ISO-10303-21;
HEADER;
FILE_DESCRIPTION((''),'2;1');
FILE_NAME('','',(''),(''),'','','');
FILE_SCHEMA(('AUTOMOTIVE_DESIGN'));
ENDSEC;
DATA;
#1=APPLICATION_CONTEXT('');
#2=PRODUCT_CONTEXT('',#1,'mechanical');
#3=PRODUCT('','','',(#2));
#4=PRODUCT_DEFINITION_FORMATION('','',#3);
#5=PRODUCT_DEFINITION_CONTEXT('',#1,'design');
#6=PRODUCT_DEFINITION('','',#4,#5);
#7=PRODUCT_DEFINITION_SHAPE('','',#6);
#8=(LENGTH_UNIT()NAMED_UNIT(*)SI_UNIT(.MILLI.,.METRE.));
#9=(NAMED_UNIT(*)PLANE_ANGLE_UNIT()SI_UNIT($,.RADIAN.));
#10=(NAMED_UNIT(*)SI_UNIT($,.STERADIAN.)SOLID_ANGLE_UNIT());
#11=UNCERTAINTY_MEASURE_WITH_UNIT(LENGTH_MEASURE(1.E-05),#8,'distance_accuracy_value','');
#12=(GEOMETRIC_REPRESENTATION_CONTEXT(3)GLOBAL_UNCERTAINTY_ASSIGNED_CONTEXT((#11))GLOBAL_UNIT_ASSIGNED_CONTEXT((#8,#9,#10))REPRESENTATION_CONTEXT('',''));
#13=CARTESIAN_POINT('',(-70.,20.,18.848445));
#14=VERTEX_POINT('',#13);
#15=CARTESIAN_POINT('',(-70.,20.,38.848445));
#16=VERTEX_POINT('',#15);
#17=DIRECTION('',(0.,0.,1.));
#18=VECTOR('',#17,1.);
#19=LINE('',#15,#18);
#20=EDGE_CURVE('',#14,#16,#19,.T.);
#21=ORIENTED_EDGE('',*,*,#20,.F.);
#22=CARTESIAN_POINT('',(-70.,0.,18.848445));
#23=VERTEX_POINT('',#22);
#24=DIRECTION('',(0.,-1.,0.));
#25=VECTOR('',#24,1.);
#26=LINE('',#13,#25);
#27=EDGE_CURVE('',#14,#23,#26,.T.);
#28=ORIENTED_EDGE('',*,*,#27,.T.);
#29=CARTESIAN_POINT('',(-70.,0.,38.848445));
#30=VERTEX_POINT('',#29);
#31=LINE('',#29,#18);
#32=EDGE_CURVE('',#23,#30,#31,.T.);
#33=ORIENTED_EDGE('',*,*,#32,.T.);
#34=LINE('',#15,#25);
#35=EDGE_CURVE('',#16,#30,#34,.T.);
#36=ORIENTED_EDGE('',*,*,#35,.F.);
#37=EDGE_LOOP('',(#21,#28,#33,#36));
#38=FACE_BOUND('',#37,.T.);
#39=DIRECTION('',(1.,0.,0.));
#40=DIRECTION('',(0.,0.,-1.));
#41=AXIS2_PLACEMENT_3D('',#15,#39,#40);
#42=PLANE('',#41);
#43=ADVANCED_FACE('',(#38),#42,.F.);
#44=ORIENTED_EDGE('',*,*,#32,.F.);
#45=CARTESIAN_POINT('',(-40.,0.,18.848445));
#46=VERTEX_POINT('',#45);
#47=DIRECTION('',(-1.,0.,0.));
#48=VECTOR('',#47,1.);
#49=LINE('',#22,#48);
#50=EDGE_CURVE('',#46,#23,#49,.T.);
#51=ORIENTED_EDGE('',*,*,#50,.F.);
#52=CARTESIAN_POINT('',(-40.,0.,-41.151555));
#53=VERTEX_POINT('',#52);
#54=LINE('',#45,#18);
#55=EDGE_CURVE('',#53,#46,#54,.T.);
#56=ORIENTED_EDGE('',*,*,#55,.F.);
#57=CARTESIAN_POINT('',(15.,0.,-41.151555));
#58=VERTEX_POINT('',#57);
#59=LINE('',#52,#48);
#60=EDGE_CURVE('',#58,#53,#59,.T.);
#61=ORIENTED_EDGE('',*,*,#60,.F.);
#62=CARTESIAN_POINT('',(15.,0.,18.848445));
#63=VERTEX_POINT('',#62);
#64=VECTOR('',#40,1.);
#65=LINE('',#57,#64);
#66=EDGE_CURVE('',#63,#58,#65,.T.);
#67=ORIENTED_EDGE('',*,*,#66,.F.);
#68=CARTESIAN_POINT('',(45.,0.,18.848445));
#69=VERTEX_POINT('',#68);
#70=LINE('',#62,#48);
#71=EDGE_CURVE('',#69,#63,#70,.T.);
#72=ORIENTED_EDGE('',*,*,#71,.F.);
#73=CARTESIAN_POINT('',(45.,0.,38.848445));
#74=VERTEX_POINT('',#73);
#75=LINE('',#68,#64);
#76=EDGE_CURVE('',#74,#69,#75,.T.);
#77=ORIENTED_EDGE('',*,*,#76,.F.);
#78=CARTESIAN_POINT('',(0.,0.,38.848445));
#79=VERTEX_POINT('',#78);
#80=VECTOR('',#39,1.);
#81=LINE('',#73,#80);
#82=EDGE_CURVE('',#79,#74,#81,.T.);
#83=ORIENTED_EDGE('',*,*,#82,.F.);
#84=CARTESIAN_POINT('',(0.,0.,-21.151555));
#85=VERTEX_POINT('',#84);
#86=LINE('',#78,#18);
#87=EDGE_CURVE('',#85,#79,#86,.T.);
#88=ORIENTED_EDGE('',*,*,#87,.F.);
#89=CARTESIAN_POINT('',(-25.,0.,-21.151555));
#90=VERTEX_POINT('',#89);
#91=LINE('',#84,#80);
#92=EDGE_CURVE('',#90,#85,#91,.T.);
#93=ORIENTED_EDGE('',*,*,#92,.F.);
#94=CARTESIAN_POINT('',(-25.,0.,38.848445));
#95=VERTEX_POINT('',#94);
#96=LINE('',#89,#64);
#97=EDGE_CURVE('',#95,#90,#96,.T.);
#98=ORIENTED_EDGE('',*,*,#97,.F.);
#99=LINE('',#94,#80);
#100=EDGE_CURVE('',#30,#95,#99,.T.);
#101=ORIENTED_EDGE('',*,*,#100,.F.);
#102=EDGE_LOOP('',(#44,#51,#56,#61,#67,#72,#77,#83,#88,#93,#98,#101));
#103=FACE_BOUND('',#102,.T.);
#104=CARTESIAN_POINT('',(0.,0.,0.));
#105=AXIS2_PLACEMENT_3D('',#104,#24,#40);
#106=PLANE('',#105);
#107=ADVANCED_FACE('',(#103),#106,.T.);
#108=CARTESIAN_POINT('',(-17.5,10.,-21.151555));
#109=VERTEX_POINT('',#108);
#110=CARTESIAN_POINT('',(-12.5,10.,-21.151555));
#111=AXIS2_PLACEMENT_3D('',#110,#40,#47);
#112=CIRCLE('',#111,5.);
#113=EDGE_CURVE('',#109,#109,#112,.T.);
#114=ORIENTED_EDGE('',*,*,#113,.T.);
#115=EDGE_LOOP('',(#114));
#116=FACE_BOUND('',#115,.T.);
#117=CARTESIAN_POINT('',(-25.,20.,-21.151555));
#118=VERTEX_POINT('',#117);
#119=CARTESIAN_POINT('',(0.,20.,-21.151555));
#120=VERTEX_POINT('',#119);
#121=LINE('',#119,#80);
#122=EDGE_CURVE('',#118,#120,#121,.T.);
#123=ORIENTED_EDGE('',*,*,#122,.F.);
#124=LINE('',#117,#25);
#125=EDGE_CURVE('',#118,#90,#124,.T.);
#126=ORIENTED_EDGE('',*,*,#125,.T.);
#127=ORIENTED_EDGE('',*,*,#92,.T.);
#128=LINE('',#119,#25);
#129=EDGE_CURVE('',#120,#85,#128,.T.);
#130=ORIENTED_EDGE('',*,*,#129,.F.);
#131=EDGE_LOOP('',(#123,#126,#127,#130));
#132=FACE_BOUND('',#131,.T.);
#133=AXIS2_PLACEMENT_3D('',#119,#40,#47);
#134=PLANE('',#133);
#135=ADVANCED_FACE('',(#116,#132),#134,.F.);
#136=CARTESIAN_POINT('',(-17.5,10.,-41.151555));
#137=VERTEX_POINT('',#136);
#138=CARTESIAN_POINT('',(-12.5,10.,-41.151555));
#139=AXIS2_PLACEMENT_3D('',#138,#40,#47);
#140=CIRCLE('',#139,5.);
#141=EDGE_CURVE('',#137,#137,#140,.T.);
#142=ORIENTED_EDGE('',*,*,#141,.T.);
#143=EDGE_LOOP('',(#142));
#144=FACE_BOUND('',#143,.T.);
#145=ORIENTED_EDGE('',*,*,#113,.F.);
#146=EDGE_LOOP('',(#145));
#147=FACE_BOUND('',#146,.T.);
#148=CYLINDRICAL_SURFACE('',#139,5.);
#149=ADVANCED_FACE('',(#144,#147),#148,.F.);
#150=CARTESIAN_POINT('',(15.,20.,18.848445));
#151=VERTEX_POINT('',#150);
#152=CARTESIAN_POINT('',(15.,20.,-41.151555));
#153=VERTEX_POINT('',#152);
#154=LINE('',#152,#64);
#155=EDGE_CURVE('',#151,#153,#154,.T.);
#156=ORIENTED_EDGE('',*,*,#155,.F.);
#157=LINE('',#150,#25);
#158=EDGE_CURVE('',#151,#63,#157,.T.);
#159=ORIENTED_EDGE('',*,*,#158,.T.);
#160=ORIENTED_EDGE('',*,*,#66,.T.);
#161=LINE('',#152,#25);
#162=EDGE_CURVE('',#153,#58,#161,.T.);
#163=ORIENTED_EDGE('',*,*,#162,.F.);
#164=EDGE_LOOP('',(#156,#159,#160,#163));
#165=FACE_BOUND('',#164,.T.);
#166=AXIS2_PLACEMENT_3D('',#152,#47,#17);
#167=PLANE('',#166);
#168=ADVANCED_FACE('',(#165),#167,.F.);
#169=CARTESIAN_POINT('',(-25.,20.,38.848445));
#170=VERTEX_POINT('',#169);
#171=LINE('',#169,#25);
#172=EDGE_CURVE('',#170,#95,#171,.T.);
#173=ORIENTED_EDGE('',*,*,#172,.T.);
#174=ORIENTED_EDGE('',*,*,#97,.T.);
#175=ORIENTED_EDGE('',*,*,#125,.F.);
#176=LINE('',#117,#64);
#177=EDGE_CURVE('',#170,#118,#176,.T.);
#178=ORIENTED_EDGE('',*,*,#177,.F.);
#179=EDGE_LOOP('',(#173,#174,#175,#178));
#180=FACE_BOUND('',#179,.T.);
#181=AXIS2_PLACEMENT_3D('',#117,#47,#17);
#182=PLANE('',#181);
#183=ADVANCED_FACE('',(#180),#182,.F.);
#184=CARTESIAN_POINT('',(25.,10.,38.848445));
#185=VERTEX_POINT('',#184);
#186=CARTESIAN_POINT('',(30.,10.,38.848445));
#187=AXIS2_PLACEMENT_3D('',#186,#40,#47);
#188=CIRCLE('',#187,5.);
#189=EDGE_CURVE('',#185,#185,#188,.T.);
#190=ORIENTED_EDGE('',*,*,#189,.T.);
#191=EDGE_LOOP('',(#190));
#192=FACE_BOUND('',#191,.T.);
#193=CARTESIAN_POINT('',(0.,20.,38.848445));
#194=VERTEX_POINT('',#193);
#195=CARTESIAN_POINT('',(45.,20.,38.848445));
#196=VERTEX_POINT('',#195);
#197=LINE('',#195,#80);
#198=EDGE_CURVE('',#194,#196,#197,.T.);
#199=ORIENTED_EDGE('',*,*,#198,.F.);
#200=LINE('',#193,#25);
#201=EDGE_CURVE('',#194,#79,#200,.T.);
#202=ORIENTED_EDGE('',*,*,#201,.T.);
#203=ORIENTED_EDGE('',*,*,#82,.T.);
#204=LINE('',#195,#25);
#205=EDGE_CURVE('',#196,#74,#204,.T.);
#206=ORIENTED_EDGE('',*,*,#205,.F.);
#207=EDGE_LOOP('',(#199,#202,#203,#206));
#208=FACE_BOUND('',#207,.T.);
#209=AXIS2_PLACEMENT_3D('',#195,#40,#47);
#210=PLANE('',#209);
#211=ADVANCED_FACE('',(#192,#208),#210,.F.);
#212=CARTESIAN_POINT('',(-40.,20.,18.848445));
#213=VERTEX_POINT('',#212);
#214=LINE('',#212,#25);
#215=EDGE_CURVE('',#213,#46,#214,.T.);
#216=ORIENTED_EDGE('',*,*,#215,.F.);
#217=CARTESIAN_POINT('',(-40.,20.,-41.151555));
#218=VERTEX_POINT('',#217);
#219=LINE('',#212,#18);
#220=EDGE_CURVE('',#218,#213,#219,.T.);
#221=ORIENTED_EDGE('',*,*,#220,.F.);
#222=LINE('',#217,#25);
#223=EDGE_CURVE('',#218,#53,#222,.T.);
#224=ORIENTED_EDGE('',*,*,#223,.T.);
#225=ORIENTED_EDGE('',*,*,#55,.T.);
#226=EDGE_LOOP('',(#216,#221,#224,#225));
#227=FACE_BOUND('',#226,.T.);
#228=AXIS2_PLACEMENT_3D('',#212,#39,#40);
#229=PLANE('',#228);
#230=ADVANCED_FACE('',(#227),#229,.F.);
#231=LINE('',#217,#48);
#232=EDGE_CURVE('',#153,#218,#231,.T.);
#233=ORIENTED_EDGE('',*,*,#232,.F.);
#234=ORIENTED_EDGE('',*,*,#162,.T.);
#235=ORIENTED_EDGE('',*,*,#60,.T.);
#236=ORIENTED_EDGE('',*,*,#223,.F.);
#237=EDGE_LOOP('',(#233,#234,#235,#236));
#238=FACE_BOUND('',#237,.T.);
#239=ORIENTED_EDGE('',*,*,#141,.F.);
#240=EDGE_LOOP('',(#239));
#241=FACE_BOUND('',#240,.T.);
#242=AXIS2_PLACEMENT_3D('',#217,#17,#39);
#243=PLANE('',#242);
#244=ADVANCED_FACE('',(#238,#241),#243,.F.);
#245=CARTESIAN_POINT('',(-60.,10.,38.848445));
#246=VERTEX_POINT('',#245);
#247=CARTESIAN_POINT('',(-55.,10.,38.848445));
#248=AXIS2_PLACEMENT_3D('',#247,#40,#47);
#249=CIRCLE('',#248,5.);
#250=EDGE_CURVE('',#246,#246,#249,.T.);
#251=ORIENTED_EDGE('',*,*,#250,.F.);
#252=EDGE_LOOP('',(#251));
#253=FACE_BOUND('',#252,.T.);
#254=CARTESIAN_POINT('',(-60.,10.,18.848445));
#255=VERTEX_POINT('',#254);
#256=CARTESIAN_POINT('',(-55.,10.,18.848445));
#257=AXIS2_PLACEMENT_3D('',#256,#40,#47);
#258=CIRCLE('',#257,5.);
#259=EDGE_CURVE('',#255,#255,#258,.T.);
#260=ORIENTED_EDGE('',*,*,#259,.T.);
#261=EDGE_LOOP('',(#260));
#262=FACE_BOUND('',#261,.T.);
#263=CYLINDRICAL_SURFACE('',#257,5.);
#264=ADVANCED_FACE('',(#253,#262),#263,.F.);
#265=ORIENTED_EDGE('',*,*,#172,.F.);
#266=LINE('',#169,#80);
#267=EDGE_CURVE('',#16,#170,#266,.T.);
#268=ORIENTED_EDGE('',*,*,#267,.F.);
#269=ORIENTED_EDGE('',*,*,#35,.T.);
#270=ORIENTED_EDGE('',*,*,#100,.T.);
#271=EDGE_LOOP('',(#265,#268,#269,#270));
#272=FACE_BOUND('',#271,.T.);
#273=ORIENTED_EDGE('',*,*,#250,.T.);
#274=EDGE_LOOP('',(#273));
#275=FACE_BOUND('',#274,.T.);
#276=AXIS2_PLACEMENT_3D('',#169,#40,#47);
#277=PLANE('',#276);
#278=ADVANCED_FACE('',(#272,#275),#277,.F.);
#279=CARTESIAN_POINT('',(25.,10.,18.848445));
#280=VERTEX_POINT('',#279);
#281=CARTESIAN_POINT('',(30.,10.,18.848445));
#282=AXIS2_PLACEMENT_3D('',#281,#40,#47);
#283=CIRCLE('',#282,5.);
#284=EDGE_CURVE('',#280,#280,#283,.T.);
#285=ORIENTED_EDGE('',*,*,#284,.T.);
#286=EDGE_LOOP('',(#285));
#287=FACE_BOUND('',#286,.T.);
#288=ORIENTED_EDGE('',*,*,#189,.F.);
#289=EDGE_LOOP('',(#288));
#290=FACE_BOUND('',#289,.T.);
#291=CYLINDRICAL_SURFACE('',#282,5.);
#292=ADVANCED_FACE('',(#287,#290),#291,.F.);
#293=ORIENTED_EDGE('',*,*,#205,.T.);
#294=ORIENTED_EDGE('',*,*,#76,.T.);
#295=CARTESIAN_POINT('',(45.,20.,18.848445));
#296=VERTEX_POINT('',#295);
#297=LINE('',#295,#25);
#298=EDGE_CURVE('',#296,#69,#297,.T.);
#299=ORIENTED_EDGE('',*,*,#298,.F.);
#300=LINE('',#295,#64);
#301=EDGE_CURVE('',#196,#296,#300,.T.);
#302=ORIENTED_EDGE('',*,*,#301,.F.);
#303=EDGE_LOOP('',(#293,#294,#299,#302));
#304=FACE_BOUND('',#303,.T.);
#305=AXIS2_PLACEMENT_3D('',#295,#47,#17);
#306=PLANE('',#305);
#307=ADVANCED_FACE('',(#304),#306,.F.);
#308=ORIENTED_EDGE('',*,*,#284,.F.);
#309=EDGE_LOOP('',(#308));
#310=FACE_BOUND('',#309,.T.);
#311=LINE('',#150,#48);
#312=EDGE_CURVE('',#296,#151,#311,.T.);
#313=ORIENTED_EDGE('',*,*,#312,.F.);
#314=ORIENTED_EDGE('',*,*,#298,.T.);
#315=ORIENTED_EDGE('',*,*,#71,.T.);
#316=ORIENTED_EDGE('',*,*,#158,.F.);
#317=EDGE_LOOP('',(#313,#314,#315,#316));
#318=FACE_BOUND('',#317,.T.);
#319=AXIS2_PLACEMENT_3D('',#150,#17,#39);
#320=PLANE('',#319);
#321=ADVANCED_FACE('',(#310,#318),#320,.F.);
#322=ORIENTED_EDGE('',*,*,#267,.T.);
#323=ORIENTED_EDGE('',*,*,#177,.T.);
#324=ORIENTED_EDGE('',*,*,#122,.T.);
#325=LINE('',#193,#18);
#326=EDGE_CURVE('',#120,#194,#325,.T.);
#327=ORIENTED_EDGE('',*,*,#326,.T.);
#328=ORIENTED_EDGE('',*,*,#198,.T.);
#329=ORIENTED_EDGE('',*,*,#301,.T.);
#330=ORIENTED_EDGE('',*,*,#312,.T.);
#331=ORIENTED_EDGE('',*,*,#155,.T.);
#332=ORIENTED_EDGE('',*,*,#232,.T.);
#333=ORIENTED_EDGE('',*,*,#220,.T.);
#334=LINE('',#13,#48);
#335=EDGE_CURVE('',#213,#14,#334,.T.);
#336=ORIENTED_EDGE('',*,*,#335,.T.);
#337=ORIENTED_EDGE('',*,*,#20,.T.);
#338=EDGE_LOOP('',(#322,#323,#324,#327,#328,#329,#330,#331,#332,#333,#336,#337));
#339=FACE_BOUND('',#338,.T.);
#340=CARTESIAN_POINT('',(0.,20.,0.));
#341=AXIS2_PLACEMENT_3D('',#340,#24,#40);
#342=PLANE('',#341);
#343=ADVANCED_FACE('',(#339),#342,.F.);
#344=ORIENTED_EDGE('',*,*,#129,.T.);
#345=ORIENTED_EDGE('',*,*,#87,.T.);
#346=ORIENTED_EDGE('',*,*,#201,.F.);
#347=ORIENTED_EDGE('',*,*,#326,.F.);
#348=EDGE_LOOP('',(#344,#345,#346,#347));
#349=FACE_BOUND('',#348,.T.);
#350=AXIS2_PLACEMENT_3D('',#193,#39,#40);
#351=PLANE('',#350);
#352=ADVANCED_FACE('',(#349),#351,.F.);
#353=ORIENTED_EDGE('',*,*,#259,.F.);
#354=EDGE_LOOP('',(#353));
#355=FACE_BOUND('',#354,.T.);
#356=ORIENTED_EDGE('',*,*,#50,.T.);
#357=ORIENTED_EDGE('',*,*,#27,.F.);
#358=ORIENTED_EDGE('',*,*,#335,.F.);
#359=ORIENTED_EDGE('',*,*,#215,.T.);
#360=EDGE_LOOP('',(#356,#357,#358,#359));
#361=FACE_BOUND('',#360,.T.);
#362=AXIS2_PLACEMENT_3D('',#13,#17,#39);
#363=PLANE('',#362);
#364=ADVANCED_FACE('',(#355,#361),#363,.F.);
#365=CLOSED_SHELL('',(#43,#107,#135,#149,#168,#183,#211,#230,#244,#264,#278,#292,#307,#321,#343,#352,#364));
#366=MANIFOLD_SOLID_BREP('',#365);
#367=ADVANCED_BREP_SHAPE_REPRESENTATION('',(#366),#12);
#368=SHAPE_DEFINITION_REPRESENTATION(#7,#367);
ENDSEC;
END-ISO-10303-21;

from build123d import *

# Parameters (mm, degrees)
BOSS_EXTRUDE1_DEPTH              = 20
M10X1_0_TAPPED_HOLE1_D           = 9
M10X1_0_TAPPED_HOLE1_DEPTH       = 23
M10X1_0_TAPPED_HOLE1_CBORE_D     = 10
M10X1_0_TAPPED_HOLE1_CBORE_DEPTH = 20
M10X1_0_TAPPED_HOLE1_TIP         = 2.703872786
M10X1_0_TAPPED_HOLE2_D           = 9
M10X1_0_TAPPED_HOLE2_DEPTH       = 23
M10X1_0_TAPPED_HOLE2_CBORE_D     = 10
M10X1_0_TAPPED_HOLE2_CBORE_DEPTH = 20
M10X1_0_TAPPED_HOLE2_TIP         = 2.703872786


with BuildPart() as part:
    # Sketch1 → Boss-Extrude1 (new body)
    with BuildSketch(Plane(origin=(0, 0, 0), x_dir=(1, 0, 0), z_dir=(0, 1, 0))):
        Polygon((-70, -38.848444635), (-70, -18.848444635), (-40, -18.848444635), (-40, 41.151555365), (15, 41.151555365), (15, -18.848444635), (45, -18.848444635), (45, -38.848444635), (0, -38.848444635), (0, 21.151555365), (-25, 21.151555365), (-25, -38.848444635), align=None)
    extrude(amount=BOSS_EXTRUDE1_DEPTH)

    # M10x1.0 Tapped Hole1
    with Locations(Plane(origin=(-12.5, 10, -41.151555365), x_dir=(-1, 0, 0), z_dir=(0, 0, -1))):
        with Locations((0, 0)):
            CounterBoreHole(M10X1_0_TAPPED_HOLE1_D / 2, M10X1_0_TAPPED_HOLE1_CBORE_D / 2, M10X1_0_TAPPED_HOLE1_CBORE_DEPTH, depth=M10X1_0_TAPPED_HOLE1_DEPTH)
            with Locations((0, 0, -(M10X1_0_TAPPED_HOLE1_DEPTH + M10X1_0_TAPPED_HOLE1_TIP / 2))):  # 118° drill point
                Cone(0, M10X1_0_TAPPED_HOLE1_D / 2, M10X1_0_TAPPED_HOLE1_TIP, mode=Mode.SUBTRACT)

    # M10x1.0 Tapped Hole2
    with Locations(Plane(origin=(30, 10, 18.848444635), x_dir=(-1, 0, 0), z_dir=(0, 0, -1))):
        with Locations((0, 0), (85, 0)):
            CounterBoreHole(M10X1_0_TAPPED_HOLE2_D / 2, M10X1_0_TAPPED_HOLE2_CBORE_D / 2, M10X1_0_TAPPED_HOLE2_CBORE_DEPTH, depth=M10X1_0_TAPPED_HOLE2_DEPTH)
            with Locations((0, 0, -(M10X1_0_TAPPED_HOLE2_DEPTH + M10X1_0_TAPPED_HOLE2_TIP / 2))):  # 118° drill point
                Cone(0, M10X1_0_TAPPED_HOLE2_D / 2, M10X1_0_TAPPED_HOLE2_TIP, mode=Mode.SUBTRACT)


solid = part.part
